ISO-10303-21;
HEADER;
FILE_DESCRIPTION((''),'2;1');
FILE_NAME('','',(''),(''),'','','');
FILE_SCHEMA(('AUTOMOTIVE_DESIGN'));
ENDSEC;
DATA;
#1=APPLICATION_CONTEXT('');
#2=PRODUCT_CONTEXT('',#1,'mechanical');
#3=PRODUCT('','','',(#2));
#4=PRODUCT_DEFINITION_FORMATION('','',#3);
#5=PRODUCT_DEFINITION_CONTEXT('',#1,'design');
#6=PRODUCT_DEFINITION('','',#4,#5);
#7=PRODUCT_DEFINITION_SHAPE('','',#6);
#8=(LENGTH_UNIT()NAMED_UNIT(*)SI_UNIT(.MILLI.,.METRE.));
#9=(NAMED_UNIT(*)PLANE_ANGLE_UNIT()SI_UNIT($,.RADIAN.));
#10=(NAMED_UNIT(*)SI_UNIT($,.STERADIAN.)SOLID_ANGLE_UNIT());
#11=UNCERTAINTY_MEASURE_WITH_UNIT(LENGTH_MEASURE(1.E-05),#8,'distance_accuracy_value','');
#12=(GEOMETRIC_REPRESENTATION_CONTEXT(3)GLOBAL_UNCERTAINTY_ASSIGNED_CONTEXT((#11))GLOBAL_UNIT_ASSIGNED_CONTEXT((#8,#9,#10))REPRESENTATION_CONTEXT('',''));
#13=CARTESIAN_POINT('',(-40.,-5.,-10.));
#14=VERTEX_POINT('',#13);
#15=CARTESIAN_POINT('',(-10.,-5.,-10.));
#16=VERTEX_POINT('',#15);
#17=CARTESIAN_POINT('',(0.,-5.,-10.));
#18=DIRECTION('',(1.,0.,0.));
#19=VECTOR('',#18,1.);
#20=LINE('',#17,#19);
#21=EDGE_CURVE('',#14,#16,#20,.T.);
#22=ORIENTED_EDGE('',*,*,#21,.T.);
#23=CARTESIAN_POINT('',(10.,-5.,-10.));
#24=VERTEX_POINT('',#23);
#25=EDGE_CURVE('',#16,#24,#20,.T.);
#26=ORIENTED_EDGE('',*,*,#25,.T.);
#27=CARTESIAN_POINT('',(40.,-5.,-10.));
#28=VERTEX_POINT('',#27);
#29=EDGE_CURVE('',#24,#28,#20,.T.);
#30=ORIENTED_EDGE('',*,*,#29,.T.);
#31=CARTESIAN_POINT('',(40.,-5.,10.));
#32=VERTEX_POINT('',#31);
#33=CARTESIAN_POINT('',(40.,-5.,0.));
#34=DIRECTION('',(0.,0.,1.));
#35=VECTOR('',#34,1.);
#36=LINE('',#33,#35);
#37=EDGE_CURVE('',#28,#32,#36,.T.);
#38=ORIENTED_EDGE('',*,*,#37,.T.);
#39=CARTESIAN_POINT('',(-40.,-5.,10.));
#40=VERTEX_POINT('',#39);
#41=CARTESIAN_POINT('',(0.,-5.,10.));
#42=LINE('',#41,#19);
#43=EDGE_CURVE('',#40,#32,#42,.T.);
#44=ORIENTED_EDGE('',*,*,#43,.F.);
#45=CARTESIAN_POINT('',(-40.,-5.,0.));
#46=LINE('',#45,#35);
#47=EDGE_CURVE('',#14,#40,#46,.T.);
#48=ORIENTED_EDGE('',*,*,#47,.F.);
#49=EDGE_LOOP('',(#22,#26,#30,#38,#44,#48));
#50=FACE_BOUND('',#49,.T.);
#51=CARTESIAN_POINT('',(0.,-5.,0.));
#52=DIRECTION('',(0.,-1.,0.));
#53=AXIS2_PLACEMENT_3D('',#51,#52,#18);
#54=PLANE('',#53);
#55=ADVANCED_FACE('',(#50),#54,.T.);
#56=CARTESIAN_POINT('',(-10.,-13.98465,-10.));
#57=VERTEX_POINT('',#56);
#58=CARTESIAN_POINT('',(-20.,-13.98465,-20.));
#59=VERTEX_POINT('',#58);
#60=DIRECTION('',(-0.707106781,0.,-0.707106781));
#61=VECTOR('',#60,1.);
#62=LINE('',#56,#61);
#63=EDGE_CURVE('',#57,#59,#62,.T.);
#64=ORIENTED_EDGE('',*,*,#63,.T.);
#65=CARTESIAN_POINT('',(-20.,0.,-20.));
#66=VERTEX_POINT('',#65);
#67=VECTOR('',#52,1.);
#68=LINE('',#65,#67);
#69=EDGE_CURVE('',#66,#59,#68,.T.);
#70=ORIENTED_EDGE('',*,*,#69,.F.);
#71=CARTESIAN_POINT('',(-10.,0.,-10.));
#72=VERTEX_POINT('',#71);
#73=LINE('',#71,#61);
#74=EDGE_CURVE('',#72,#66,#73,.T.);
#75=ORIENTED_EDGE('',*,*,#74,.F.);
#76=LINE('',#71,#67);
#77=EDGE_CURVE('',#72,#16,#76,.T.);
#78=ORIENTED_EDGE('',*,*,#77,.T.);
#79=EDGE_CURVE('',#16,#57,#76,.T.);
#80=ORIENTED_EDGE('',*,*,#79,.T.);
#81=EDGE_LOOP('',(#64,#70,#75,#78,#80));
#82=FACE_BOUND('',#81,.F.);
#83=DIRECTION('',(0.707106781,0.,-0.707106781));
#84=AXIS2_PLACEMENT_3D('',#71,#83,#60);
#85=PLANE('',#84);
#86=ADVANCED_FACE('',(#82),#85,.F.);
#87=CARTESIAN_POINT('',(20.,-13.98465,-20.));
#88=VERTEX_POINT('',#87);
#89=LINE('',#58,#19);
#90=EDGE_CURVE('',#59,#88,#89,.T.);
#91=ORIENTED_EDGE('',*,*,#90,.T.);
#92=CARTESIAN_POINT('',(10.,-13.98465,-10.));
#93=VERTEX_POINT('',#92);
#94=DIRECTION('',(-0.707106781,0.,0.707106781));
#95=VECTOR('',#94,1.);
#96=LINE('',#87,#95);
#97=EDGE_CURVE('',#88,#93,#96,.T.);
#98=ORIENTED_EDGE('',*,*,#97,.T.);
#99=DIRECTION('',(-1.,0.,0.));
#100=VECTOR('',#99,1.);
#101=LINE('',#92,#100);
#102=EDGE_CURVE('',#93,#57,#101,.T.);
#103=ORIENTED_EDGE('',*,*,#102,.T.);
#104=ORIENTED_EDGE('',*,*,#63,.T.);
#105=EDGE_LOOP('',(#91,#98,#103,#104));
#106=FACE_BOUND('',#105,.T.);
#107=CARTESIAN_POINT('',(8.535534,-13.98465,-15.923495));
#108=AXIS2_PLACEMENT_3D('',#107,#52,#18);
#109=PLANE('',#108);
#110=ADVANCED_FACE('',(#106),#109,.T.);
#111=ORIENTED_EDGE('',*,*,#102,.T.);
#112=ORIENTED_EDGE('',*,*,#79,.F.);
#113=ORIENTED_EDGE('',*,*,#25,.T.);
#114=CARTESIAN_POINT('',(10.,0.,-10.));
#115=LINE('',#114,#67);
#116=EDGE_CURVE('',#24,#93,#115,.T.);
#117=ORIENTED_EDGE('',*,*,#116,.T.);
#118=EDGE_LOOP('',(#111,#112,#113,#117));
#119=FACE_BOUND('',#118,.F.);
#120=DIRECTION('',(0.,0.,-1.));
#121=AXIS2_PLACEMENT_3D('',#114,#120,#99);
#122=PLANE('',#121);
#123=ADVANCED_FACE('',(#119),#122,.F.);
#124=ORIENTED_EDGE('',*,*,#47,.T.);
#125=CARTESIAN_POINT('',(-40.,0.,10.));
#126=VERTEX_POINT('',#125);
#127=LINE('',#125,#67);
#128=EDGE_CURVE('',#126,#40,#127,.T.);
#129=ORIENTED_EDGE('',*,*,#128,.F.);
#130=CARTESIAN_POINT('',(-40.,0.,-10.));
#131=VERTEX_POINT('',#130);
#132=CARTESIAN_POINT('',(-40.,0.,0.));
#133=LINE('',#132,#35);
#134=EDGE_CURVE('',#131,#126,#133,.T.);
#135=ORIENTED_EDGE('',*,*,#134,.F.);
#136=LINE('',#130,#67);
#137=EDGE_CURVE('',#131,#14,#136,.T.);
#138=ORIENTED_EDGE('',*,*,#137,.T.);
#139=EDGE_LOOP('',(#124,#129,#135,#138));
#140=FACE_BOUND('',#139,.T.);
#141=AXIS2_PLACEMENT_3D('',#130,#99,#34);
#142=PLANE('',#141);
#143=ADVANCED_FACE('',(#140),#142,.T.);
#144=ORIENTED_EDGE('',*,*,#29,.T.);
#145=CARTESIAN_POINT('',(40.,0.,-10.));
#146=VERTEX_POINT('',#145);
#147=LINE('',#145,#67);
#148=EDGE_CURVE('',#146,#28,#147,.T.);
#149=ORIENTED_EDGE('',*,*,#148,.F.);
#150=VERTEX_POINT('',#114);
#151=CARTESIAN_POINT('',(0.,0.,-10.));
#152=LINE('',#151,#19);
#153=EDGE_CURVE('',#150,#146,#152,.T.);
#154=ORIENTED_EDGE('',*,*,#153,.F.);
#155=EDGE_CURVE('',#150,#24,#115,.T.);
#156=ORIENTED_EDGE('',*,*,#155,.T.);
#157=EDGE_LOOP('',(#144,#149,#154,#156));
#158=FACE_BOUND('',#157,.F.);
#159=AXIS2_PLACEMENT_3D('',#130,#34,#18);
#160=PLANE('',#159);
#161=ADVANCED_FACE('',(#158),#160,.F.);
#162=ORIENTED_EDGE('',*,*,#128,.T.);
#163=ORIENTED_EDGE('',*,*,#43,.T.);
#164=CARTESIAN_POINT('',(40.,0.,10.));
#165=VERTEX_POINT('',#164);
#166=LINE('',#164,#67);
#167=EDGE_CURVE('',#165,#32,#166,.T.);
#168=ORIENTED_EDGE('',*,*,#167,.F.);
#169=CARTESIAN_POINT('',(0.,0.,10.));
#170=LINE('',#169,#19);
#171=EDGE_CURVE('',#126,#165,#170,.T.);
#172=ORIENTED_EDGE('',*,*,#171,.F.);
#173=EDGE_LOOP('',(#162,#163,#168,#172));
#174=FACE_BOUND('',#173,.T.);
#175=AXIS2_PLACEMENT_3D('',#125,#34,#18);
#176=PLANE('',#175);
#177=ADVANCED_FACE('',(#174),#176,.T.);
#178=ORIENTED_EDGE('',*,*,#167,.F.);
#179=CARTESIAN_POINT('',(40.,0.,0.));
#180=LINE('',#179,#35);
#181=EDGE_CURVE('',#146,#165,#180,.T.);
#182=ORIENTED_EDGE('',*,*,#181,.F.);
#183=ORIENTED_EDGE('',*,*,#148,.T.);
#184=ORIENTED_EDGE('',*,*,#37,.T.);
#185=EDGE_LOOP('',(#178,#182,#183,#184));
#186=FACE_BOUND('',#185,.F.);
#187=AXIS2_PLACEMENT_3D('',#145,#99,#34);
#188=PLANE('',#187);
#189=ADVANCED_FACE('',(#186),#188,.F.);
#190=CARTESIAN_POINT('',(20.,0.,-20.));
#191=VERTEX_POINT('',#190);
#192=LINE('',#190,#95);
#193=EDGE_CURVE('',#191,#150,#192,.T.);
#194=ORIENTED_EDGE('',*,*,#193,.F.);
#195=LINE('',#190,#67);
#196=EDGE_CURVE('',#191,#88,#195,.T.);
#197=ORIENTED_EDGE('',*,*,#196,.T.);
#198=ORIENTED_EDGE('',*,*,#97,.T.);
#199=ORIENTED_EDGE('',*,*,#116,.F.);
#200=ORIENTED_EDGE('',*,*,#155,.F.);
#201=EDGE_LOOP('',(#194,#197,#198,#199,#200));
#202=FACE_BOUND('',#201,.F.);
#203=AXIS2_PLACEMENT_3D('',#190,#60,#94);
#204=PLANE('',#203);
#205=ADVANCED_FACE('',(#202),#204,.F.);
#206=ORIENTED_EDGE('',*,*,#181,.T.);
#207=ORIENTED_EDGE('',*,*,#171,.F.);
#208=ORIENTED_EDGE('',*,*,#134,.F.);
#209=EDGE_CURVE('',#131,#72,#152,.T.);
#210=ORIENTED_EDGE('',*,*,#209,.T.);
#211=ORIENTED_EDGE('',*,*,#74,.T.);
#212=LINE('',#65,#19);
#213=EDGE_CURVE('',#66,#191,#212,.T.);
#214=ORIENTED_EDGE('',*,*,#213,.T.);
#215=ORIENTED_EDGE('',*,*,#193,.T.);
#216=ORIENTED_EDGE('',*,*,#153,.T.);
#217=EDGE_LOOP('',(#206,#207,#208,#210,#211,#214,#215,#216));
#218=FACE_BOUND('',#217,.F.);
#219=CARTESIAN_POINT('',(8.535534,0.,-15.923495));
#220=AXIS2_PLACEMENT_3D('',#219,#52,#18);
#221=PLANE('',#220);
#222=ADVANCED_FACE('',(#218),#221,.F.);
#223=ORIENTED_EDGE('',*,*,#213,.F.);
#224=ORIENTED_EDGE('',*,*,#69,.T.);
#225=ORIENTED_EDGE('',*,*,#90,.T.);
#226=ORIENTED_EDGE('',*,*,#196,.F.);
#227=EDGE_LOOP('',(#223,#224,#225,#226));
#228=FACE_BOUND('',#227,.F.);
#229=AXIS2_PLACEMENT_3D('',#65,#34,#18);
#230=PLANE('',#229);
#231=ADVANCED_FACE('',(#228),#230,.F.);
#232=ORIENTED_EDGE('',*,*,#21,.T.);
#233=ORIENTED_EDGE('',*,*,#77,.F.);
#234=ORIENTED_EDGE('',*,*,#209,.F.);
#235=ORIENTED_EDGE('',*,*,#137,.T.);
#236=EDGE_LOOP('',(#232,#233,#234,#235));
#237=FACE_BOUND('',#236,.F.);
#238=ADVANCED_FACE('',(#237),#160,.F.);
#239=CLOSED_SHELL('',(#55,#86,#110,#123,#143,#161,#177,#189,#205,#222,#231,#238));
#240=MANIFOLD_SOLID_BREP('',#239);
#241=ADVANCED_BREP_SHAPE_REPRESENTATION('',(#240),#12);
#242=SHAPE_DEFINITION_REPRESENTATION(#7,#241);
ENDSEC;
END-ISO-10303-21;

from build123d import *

# Parameters (mm, degrees)
F0_W     = 80
F0_H     = 20
F1_DEPTH = 5
F3_DEPTH = 13.98465


with BuildPart() as f1:
    # F0 (on Front) → F1 (new body)
    with BuildSketch(Plane.XZ):
        Rectangle(F0_W, F0_H)
    extrude(amount=F1_DEPTH)

    # F2 (on Front) → F3 (join)
    with BuildSketch(Plane.XZ):
        Polygon((0, -10), (0, -20), (20, -20), (10, -10), align=None)
        Polygon((-20, -20), (0, -20), (0, -10), (-10, -10), align=None)
    extrude(amount=F3_DEPTH)


solid = f1.part
